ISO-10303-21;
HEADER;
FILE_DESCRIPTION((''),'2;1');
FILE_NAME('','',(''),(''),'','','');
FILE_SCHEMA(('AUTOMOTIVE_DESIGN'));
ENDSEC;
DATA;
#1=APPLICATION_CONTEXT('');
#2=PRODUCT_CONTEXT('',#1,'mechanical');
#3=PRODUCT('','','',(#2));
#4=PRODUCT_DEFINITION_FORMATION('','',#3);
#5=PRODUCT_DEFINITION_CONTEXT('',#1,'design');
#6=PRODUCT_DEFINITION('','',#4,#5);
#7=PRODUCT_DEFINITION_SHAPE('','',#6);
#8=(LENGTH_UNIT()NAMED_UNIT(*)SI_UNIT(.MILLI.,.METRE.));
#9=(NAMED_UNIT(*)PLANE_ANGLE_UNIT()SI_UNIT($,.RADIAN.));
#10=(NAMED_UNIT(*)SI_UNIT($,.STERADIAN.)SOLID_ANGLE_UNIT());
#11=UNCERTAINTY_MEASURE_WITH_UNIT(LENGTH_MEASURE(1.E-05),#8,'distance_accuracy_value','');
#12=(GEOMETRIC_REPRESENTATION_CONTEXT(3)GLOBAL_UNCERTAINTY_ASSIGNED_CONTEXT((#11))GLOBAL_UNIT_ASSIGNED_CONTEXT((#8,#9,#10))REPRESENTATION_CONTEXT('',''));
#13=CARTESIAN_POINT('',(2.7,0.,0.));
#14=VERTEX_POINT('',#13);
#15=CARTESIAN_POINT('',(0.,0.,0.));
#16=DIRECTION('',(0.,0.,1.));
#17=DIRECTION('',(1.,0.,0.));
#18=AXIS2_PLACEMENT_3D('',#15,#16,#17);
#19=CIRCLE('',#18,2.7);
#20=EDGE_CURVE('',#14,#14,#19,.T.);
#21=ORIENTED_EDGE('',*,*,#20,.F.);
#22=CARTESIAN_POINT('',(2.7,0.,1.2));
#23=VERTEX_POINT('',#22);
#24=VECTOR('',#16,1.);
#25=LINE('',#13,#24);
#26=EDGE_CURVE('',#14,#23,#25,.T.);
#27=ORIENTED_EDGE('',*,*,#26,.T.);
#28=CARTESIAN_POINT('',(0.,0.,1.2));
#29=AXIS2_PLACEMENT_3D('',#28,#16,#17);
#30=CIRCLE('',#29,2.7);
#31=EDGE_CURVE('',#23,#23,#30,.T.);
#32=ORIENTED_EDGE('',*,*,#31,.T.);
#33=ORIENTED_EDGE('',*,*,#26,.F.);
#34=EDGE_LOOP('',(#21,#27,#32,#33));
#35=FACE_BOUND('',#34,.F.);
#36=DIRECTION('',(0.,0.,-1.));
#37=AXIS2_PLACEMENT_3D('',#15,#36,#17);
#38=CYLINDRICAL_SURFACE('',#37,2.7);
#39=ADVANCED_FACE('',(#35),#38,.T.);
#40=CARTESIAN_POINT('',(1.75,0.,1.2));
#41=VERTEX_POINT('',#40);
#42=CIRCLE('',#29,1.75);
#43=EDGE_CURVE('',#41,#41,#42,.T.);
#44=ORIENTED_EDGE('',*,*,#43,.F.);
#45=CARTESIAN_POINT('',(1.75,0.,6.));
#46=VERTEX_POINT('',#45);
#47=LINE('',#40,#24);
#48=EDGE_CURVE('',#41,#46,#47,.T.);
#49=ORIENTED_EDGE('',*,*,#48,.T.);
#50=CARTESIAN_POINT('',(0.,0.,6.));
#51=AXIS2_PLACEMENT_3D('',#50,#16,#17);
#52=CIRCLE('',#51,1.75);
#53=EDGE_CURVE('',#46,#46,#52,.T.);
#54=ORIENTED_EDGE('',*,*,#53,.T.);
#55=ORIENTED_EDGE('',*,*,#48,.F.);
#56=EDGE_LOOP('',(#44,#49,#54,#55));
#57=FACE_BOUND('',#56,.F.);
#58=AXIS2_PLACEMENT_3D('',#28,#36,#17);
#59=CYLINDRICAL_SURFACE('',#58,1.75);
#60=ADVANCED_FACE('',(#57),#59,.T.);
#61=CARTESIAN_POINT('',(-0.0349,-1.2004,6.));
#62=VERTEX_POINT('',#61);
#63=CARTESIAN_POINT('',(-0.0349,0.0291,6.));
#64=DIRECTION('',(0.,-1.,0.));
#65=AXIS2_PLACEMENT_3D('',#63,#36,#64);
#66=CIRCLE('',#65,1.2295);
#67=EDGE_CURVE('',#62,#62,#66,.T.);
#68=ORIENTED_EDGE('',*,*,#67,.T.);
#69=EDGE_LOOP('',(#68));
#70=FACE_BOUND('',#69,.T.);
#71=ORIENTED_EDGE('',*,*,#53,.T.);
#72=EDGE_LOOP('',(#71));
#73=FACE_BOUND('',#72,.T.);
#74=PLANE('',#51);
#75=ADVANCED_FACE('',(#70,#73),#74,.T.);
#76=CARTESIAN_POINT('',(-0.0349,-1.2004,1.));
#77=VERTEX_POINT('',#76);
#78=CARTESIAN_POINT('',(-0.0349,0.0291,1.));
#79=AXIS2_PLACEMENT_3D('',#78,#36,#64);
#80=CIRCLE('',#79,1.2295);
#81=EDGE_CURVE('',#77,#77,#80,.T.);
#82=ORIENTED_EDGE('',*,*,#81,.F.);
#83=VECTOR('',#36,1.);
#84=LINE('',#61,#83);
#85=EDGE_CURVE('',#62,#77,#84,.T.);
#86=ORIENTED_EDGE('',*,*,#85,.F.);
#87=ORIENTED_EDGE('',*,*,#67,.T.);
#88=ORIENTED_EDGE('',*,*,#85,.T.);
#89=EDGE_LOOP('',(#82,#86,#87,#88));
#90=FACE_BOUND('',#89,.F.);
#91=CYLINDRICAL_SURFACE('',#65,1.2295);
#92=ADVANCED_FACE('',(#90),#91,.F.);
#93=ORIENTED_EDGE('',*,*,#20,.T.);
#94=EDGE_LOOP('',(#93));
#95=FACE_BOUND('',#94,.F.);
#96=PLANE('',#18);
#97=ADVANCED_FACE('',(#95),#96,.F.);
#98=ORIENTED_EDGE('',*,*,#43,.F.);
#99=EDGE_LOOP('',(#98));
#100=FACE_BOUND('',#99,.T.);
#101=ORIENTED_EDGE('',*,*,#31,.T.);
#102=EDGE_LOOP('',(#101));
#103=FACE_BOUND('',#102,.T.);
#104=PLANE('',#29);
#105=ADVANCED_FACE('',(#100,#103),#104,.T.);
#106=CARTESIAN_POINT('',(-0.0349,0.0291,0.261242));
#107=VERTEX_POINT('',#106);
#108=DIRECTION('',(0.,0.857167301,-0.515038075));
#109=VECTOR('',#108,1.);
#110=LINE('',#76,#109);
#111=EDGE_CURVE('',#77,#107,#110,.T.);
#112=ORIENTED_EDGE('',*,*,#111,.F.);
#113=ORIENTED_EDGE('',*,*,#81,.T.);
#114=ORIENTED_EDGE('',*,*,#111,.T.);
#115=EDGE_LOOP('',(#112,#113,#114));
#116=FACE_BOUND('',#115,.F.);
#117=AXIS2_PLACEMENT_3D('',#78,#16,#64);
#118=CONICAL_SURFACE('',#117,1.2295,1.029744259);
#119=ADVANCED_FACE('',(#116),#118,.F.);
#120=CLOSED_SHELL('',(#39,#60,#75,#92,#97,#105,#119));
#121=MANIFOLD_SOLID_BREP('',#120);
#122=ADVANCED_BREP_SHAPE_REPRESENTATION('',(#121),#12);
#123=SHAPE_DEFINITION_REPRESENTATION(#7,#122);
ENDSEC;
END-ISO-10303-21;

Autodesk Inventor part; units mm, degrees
ref_plane "YZ Plane" through (0, 0, 0) normal (1, 0, 0) x (0, 1, 0)
ref_plane "XZ Plane" through (0, 0, 0) normal (0, 1, 0) x (-1, 0, 0)
ref_plane "XY Plane" through (0, 0, 0) normal (0, 0, 1) x (1, 0, 0)
sketch "스케치1" plane through (0, 0, 0) normal (0, 0, 1) x (1, 0, 0)
  circle A0 centre (0, 0) radius 2.7
  dimension "d0" = 5.4
extrude "돌출1" add sketch "스케치1" along normal blind 1.2
sketch "스케치2" plane through (0, 0, 1.2) normal (0, 0, 1) x (1, 0, 0)
  circle A0 centre (0, 0) radius 1.75
  dimension "d3" = 3.5
extrude "돌출2" add sketch "스케치2" along normal blind 4.8
hole "구멍1" at (-0.0349, 0.0291, 6) direction (0, 0, -1) diameter 2.459 depth 5 tip angle 118 thread size "M3x0.5" class "6H" standard "ISO Metric profile"
properties part number "240621_나사"
